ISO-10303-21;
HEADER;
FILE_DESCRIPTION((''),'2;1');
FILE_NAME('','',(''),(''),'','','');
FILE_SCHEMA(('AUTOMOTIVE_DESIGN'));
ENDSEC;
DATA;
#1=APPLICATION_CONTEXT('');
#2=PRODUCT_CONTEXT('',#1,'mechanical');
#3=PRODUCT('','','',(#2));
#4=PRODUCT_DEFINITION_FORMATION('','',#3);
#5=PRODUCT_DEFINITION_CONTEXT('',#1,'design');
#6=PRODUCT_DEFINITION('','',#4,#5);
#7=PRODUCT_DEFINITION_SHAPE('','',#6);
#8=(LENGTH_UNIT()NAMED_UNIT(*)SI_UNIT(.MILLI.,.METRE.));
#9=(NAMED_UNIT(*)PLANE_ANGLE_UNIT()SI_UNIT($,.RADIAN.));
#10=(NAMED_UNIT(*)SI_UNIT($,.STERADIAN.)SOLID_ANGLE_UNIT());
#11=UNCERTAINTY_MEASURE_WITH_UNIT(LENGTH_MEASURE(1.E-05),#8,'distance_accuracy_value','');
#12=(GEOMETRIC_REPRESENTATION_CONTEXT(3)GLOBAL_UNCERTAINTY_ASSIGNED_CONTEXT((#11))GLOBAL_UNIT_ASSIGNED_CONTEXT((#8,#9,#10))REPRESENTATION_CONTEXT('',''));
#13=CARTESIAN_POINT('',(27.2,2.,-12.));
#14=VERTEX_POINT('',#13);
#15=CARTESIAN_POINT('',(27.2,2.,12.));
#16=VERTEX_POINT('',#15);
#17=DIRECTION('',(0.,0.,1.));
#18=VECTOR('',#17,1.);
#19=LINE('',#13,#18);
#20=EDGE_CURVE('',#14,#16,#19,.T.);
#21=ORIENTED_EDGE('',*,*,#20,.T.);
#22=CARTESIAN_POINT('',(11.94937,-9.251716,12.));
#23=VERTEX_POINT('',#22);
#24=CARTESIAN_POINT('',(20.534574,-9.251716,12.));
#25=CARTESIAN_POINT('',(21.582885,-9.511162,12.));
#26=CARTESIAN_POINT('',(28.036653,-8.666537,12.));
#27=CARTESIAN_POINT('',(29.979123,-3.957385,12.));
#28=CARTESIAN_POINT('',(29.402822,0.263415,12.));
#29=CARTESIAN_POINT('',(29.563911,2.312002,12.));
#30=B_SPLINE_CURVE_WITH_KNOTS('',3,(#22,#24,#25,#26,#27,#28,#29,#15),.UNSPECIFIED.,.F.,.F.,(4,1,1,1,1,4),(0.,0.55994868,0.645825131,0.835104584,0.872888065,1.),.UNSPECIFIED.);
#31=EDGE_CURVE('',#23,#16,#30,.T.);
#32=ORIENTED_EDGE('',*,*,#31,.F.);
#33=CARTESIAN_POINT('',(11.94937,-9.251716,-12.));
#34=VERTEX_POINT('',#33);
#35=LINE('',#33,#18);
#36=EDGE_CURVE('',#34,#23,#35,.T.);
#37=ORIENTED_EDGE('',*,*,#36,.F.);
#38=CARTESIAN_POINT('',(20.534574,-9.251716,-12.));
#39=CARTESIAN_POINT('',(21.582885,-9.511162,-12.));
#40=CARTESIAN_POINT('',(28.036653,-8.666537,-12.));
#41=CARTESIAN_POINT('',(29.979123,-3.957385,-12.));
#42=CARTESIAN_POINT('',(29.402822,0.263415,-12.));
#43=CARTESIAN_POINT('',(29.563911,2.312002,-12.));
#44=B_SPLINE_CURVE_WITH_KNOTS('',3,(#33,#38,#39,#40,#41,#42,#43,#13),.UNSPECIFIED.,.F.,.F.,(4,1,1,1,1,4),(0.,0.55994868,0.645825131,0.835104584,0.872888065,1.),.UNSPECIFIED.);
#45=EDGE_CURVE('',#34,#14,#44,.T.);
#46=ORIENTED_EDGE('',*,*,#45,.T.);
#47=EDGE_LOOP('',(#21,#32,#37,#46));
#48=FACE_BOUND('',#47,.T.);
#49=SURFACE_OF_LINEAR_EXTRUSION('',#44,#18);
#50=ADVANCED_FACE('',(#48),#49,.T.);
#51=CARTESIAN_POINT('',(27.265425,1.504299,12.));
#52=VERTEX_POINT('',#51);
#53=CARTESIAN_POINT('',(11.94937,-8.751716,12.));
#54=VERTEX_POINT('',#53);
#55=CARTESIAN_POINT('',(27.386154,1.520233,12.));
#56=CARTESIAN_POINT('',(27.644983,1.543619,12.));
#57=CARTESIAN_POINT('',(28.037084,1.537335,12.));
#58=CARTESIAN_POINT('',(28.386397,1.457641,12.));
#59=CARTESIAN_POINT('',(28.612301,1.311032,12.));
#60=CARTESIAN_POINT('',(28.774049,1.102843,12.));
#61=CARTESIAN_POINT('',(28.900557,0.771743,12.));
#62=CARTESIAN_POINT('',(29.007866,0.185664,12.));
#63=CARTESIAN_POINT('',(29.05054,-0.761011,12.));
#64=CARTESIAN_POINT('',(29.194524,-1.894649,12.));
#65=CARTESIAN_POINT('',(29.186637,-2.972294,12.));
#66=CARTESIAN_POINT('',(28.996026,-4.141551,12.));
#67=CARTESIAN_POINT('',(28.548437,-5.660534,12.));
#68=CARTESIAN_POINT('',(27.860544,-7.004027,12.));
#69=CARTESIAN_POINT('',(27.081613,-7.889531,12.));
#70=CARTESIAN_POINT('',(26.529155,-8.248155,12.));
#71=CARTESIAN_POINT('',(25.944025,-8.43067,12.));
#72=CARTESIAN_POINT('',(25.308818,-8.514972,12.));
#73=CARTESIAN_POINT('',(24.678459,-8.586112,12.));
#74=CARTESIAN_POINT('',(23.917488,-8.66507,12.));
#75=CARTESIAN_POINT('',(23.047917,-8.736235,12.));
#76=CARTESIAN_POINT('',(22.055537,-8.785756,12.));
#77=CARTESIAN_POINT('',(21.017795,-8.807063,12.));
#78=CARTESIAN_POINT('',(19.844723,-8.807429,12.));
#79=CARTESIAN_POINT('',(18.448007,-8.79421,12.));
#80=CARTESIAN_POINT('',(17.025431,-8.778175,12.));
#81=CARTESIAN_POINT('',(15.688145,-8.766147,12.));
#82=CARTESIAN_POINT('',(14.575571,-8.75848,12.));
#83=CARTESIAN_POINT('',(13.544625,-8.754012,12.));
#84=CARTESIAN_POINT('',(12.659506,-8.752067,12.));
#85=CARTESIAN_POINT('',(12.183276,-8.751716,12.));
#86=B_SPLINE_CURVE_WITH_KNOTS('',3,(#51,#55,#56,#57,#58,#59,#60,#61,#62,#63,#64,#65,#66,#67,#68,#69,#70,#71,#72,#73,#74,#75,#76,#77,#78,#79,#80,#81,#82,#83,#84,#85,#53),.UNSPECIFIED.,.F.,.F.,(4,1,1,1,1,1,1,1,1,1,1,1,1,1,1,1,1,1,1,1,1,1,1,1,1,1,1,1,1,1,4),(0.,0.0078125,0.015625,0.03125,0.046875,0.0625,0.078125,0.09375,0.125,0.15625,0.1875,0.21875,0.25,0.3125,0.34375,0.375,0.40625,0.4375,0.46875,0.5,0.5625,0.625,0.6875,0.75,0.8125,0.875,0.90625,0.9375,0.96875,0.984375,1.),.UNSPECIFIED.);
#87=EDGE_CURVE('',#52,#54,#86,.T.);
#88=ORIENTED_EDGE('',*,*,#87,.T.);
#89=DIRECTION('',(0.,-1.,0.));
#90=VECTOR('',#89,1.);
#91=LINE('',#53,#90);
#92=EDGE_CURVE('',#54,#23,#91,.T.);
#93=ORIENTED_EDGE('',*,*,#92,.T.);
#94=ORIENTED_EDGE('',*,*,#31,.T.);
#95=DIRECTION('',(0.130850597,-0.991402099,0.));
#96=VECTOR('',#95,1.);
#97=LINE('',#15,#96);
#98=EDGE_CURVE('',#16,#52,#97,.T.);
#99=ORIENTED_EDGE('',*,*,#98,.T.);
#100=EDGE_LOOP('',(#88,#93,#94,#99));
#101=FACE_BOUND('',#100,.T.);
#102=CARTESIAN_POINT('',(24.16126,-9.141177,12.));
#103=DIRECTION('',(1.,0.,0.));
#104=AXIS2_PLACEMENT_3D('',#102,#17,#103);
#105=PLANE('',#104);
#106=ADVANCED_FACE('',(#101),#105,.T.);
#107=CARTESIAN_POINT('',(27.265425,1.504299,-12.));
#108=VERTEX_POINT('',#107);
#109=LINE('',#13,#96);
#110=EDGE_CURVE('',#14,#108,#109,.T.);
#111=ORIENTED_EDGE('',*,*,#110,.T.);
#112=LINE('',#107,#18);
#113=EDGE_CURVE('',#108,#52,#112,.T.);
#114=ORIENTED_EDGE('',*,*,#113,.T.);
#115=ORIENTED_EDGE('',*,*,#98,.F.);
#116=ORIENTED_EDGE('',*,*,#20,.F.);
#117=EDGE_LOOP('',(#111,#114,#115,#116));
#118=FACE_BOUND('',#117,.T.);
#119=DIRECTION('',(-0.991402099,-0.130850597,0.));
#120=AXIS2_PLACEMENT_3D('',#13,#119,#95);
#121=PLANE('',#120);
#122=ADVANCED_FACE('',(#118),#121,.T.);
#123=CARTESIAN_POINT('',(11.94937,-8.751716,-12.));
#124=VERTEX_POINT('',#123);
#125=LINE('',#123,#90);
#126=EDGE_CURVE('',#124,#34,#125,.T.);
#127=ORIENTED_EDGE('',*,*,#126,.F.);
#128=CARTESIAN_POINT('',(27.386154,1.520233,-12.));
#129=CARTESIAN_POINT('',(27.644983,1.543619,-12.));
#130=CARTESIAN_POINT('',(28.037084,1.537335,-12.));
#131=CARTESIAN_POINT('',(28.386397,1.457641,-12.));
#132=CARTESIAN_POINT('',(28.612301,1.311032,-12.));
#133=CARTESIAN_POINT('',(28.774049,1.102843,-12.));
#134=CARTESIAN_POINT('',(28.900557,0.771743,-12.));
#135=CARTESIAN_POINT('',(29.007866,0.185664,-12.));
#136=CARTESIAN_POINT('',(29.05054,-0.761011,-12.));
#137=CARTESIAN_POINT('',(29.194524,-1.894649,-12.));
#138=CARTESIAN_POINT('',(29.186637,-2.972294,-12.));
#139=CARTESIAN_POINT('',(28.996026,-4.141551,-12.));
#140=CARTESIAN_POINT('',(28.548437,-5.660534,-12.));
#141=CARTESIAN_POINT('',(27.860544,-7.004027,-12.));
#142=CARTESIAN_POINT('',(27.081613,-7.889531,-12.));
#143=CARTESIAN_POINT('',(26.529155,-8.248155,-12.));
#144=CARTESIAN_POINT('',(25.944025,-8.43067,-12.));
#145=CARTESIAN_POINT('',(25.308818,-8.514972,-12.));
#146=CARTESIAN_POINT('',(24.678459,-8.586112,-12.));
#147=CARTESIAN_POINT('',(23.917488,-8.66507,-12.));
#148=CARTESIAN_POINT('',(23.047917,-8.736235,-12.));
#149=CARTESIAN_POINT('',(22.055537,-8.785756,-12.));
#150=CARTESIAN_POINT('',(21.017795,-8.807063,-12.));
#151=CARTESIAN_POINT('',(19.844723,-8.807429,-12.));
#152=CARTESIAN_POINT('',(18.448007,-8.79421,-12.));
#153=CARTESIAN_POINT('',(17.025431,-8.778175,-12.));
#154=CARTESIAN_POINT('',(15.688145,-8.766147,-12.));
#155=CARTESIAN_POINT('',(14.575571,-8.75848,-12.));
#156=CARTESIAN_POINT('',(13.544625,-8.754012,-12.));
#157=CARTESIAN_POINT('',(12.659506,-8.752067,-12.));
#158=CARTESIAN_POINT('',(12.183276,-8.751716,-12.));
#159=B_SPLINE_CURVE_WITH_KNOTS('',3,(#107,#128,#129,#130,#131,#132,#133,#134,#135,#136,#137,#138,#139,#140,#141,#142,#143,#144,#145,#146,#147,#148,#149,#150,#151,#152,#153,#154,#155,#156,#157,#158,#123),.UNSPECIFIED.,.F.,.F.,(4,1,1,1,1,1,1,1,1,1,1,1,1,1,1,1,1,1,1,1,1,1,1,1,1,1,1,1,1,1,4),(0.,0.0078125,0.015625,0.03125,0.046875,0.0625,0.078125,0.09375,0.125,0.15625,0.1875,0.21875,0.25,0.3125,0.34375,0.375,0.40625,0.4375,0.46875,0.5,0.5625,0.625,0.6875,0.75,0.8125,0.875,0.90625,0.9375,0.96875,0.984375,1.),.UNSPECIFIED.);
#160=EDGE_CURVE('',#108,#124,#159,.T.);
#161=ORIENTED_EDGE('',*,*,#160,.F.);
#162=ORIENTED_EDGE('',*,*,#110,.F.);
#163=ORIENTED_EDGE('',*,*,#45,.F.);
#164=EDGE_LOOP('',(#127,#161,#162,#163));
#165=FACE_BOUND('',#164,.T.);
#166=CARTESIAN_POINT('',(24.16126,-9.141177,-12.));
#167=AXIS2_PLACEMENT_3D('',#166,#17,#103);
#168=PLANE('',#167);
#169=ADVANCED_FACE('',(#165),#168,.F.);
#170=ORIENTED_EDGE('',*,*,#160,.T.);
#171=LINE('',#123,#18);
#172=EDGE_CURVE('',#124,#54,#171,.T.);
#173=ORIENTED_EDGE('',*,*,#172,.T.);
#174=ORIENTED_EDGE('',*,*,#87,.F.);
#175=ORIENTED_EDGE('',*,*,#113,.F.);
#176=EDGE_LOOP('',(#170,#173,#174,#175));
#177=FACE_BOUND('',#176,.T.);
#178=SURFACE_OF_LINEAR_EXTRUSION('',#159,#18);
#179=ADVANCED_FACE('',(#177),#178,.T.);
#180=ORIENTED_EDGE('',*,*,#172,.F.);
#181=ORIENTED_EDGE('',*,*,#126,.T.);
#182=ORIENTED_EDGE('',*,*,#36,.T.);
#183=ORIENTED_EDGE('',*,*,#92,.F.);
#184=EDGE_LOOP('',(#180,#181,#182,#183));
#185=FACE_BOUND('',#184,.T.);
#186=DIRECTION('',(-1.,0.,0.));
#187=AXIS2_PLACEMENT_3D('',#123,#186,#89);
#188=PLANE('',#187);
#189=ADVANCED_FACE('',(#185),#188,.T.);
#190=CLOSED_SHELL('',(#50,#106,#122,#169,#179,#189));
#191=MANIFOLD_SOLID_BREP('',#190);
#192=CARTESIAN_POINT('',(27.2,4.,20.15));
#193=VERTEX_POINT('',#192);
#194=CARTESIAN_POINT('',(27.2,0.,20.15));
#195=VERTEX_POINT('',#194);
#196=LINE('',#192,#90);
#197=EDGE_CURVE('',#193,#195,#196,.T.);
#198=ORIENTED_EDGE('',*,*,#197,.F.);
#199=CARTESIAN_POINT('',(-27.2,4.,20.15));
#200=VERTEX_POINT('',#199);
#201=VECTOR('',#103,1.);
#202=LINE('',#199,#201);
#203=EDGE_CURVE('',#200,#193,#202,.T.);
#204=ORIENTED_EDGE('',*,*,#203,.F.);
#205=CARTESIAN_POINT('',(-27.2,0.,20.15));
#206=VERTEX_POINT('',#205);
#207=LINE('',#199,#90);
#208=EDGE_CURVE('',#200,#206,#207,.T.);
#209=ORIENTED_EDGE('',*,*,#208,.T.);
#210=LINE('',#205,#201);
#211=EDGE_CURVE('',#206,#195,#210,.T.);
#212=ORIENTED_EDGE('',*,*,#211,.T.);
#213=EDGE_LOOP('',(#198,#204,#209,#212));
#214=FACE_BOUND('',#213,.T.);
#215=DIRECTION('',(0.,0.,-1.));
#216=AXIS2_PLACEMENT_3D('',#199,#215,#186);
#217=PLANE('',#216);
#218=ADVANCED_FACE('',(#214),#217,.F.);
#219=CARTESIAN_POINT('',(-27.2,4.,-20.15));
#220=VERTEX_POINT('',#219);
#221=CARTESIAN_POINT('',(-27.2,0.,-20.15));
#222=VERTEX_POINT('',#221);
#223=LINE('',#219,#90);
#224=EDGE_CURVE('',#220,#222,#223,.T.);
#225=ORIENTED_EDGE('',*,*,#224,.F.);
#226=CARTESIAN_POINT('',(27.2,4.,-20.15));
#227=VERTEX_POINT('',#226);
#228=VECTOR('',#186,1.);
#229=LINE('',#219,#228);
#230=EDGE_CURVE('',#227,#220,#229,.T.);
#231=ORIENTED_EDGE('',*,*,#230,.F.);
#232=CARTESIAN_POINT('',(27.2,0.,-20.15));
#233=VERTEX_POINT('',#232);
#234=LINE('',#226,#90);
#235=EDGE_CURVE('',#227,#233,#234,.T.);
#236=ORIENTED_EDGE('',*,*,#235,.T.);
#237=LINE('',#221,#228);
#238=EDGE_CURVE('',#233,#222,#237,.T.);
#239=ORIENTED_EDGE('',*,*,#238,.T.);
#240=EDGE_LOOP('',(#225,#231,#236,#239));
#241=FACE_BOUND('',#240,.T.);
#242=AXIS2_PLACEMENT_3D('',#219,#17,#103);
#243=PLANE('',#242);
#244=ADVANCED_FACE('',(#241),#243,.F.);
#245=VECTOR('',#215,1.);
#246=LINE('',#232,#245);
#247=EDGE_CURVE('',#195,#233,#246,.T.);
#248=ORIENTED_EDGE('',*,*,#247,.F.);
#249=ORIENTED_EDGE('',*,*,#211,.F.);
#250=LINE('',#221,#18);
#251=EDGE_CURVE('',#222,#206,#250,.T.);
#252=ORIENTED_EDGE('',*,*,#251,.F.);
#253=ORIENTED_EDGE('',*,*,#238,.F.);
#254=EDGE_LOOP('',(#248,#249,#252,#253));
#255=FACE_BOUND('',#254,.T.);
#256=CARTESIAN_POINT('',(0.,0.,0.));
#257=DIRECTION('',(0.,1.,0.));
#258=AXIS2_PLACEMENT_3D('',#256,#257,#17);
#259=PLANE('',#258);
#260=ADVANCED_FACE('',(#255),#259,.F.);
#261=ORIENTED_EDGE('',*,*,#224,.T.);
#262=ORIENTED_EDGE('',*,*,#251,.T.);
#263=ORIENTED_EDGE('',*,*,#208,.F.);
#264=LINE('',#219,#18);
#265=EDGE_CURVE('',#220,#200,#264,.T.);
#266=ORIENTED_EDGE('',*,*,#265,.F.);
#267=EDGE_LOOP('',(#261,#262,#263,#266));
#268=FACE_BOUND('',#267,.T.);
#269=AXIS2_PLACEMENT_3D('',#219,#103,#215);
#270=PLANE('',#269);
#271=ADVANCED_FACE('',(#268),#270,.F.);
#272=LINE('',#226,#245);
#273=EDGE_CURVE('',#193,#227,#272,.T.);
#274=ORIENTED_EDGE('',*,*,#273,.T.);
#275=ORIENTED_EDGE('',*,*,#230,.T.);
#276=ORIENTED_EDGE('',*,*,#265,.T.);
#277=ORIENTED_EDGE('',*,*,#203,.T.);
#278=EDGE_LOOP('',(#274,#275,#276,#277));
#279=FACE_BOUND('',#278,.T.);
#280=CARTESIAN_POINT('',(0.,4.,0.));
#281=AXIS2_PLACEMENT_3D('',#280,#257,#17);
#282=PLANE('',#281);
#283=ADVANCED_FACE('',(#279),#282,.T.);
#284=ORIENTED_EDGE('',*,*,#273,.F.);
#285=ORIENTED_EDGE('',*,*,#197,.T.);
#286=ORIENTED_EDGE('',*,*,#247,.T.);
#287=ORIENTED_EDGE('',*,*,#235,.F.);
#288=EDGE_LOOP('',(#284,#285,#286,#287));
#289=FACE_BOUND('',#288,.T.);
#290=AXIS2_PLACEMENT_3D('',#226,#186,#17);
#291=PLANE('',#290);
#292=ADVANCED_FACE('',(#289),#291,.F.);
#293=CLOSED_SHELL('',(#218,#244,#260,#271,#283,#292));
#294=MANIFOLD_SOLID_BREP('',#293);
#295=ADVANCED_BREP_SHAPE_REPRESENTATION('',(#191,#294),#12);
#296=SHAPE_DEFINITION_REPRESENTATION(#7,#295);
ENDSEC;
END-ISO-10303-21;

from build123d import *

# Parameters (mm, degrees)
SKETCH1_W                = 54.4
SKETCH1_H                = 40.3
BOSS_EXTRUDE1_DEPTH      = 4
BOSS_EXTRUDE2_DEPTH      = 12
BOSS_EXTRUDE2_DEPTH_BACK = 12


with BuildPart() as part:
    # Sketch1 → Boss-Extrude1 (new body)
    with BuildSketch(Plane(origin=(0, 0, 0), x_dir=(1, 0, 0), z_dir=(0, 1, 0))):
        Rectangle(SKETCH1_W, SKETCH1_H)
    extrude(amount=BOSS_EXTRUDE1_DEPTH)


with BuildPart() as body_2:
    # Sketch2 → Boss-Extrude2 (new, two sides: drawn at the far end of the back side and taken through both)
    with BuildSketch(Plane.XY.offset(-BOSS_EXTRUDE2_DEPTH_BACK)):
        with BuildLine():
            Line((27.2, 2), (27.265425298, 1.504298951))
            add(Edge.make_bspline(
                [(27.265425298, 1.504298951), (27.386154399, 1.520233429), (27.644982774, 1.543619289), (28.037083725, 1.537334839), (28.386397309, 1.457640569), (28.612300728, 1.311032107), (28.774048976, 1.102843304), (28.900556663, 0.771743175), (29.007866205, 0.185663718), (29.050539896, -0.761010912), (29.194523642, -1.894649451), (29.18663713, -2.972293861), (28.996026008, -4.141551258), (28.5484368, -5.660533694), (27.860543886, -7.004026934), (27.081612623, -7.889530814), (26.529154623, -8.248154642), (25.944024988, -8.430669855), (25.308818388, -8.51497167), (24.678459334, -8.586111732), (23.917487648, -8.665070283), (23.047916579, -8.736234924), (22.05553748, -8.785755813), (21.017794747, -8.807063394), (19.844723117, -8.80742854), (18.448007358, -8.794210167), (17.025431453, -8.778174866), (15.688145144, -8.766147307), (14.575570532, -8.758480137), (13.54462521, -8.754012365), (12.65950613, -8.752066795), (12.183276318, -8.751716127), (11.949370105, -8.751716127)],
                knots=[0, 0, 0, 0, 0.0078125, 0.015625, 0.03125, 0.046875, 0.0625, 0.078125, 0.09375, 0.125, 0.15625, 0.1875, 0.21875, 0.25, 0.3125, 0.34375, 0.375, 0.40625, 0.4375, 0.46875, 0.5, 0.5625, 0.625, 0.6875, 0.75, 0.8125, 0.875, 0.90625, 0.9375, 0.96875, 0.984375, 1, 1, 1, 1], degree=3))
            Line((11.949370105, -8.751716127), (11.949370105, -9.251716127))
            add(Edge.make_bspline(
                [(27.2, 2), (29.563910735, 2.31200169), (29.402821993, 0.263414704), (29.979123484, -3.957384849), (28.036653444, -8.666537098), (21.582884985, -9.511161553), (20.534574117, -9.251716127), (11.949370105, -9.251716127)],
                knots=[0, 0, 0, 0, 0.127111935, 0.164895416, 0.354174869, 0.44005132, 1, 1, 1, 1], degree=3))
        make_face()
    extrude(amount=BOSS_EXTRUDE2_DEPTH + BOSS_EXTRUDE2_DEPTH_BACK)


solid = Compound([part.part, body_2.part])
